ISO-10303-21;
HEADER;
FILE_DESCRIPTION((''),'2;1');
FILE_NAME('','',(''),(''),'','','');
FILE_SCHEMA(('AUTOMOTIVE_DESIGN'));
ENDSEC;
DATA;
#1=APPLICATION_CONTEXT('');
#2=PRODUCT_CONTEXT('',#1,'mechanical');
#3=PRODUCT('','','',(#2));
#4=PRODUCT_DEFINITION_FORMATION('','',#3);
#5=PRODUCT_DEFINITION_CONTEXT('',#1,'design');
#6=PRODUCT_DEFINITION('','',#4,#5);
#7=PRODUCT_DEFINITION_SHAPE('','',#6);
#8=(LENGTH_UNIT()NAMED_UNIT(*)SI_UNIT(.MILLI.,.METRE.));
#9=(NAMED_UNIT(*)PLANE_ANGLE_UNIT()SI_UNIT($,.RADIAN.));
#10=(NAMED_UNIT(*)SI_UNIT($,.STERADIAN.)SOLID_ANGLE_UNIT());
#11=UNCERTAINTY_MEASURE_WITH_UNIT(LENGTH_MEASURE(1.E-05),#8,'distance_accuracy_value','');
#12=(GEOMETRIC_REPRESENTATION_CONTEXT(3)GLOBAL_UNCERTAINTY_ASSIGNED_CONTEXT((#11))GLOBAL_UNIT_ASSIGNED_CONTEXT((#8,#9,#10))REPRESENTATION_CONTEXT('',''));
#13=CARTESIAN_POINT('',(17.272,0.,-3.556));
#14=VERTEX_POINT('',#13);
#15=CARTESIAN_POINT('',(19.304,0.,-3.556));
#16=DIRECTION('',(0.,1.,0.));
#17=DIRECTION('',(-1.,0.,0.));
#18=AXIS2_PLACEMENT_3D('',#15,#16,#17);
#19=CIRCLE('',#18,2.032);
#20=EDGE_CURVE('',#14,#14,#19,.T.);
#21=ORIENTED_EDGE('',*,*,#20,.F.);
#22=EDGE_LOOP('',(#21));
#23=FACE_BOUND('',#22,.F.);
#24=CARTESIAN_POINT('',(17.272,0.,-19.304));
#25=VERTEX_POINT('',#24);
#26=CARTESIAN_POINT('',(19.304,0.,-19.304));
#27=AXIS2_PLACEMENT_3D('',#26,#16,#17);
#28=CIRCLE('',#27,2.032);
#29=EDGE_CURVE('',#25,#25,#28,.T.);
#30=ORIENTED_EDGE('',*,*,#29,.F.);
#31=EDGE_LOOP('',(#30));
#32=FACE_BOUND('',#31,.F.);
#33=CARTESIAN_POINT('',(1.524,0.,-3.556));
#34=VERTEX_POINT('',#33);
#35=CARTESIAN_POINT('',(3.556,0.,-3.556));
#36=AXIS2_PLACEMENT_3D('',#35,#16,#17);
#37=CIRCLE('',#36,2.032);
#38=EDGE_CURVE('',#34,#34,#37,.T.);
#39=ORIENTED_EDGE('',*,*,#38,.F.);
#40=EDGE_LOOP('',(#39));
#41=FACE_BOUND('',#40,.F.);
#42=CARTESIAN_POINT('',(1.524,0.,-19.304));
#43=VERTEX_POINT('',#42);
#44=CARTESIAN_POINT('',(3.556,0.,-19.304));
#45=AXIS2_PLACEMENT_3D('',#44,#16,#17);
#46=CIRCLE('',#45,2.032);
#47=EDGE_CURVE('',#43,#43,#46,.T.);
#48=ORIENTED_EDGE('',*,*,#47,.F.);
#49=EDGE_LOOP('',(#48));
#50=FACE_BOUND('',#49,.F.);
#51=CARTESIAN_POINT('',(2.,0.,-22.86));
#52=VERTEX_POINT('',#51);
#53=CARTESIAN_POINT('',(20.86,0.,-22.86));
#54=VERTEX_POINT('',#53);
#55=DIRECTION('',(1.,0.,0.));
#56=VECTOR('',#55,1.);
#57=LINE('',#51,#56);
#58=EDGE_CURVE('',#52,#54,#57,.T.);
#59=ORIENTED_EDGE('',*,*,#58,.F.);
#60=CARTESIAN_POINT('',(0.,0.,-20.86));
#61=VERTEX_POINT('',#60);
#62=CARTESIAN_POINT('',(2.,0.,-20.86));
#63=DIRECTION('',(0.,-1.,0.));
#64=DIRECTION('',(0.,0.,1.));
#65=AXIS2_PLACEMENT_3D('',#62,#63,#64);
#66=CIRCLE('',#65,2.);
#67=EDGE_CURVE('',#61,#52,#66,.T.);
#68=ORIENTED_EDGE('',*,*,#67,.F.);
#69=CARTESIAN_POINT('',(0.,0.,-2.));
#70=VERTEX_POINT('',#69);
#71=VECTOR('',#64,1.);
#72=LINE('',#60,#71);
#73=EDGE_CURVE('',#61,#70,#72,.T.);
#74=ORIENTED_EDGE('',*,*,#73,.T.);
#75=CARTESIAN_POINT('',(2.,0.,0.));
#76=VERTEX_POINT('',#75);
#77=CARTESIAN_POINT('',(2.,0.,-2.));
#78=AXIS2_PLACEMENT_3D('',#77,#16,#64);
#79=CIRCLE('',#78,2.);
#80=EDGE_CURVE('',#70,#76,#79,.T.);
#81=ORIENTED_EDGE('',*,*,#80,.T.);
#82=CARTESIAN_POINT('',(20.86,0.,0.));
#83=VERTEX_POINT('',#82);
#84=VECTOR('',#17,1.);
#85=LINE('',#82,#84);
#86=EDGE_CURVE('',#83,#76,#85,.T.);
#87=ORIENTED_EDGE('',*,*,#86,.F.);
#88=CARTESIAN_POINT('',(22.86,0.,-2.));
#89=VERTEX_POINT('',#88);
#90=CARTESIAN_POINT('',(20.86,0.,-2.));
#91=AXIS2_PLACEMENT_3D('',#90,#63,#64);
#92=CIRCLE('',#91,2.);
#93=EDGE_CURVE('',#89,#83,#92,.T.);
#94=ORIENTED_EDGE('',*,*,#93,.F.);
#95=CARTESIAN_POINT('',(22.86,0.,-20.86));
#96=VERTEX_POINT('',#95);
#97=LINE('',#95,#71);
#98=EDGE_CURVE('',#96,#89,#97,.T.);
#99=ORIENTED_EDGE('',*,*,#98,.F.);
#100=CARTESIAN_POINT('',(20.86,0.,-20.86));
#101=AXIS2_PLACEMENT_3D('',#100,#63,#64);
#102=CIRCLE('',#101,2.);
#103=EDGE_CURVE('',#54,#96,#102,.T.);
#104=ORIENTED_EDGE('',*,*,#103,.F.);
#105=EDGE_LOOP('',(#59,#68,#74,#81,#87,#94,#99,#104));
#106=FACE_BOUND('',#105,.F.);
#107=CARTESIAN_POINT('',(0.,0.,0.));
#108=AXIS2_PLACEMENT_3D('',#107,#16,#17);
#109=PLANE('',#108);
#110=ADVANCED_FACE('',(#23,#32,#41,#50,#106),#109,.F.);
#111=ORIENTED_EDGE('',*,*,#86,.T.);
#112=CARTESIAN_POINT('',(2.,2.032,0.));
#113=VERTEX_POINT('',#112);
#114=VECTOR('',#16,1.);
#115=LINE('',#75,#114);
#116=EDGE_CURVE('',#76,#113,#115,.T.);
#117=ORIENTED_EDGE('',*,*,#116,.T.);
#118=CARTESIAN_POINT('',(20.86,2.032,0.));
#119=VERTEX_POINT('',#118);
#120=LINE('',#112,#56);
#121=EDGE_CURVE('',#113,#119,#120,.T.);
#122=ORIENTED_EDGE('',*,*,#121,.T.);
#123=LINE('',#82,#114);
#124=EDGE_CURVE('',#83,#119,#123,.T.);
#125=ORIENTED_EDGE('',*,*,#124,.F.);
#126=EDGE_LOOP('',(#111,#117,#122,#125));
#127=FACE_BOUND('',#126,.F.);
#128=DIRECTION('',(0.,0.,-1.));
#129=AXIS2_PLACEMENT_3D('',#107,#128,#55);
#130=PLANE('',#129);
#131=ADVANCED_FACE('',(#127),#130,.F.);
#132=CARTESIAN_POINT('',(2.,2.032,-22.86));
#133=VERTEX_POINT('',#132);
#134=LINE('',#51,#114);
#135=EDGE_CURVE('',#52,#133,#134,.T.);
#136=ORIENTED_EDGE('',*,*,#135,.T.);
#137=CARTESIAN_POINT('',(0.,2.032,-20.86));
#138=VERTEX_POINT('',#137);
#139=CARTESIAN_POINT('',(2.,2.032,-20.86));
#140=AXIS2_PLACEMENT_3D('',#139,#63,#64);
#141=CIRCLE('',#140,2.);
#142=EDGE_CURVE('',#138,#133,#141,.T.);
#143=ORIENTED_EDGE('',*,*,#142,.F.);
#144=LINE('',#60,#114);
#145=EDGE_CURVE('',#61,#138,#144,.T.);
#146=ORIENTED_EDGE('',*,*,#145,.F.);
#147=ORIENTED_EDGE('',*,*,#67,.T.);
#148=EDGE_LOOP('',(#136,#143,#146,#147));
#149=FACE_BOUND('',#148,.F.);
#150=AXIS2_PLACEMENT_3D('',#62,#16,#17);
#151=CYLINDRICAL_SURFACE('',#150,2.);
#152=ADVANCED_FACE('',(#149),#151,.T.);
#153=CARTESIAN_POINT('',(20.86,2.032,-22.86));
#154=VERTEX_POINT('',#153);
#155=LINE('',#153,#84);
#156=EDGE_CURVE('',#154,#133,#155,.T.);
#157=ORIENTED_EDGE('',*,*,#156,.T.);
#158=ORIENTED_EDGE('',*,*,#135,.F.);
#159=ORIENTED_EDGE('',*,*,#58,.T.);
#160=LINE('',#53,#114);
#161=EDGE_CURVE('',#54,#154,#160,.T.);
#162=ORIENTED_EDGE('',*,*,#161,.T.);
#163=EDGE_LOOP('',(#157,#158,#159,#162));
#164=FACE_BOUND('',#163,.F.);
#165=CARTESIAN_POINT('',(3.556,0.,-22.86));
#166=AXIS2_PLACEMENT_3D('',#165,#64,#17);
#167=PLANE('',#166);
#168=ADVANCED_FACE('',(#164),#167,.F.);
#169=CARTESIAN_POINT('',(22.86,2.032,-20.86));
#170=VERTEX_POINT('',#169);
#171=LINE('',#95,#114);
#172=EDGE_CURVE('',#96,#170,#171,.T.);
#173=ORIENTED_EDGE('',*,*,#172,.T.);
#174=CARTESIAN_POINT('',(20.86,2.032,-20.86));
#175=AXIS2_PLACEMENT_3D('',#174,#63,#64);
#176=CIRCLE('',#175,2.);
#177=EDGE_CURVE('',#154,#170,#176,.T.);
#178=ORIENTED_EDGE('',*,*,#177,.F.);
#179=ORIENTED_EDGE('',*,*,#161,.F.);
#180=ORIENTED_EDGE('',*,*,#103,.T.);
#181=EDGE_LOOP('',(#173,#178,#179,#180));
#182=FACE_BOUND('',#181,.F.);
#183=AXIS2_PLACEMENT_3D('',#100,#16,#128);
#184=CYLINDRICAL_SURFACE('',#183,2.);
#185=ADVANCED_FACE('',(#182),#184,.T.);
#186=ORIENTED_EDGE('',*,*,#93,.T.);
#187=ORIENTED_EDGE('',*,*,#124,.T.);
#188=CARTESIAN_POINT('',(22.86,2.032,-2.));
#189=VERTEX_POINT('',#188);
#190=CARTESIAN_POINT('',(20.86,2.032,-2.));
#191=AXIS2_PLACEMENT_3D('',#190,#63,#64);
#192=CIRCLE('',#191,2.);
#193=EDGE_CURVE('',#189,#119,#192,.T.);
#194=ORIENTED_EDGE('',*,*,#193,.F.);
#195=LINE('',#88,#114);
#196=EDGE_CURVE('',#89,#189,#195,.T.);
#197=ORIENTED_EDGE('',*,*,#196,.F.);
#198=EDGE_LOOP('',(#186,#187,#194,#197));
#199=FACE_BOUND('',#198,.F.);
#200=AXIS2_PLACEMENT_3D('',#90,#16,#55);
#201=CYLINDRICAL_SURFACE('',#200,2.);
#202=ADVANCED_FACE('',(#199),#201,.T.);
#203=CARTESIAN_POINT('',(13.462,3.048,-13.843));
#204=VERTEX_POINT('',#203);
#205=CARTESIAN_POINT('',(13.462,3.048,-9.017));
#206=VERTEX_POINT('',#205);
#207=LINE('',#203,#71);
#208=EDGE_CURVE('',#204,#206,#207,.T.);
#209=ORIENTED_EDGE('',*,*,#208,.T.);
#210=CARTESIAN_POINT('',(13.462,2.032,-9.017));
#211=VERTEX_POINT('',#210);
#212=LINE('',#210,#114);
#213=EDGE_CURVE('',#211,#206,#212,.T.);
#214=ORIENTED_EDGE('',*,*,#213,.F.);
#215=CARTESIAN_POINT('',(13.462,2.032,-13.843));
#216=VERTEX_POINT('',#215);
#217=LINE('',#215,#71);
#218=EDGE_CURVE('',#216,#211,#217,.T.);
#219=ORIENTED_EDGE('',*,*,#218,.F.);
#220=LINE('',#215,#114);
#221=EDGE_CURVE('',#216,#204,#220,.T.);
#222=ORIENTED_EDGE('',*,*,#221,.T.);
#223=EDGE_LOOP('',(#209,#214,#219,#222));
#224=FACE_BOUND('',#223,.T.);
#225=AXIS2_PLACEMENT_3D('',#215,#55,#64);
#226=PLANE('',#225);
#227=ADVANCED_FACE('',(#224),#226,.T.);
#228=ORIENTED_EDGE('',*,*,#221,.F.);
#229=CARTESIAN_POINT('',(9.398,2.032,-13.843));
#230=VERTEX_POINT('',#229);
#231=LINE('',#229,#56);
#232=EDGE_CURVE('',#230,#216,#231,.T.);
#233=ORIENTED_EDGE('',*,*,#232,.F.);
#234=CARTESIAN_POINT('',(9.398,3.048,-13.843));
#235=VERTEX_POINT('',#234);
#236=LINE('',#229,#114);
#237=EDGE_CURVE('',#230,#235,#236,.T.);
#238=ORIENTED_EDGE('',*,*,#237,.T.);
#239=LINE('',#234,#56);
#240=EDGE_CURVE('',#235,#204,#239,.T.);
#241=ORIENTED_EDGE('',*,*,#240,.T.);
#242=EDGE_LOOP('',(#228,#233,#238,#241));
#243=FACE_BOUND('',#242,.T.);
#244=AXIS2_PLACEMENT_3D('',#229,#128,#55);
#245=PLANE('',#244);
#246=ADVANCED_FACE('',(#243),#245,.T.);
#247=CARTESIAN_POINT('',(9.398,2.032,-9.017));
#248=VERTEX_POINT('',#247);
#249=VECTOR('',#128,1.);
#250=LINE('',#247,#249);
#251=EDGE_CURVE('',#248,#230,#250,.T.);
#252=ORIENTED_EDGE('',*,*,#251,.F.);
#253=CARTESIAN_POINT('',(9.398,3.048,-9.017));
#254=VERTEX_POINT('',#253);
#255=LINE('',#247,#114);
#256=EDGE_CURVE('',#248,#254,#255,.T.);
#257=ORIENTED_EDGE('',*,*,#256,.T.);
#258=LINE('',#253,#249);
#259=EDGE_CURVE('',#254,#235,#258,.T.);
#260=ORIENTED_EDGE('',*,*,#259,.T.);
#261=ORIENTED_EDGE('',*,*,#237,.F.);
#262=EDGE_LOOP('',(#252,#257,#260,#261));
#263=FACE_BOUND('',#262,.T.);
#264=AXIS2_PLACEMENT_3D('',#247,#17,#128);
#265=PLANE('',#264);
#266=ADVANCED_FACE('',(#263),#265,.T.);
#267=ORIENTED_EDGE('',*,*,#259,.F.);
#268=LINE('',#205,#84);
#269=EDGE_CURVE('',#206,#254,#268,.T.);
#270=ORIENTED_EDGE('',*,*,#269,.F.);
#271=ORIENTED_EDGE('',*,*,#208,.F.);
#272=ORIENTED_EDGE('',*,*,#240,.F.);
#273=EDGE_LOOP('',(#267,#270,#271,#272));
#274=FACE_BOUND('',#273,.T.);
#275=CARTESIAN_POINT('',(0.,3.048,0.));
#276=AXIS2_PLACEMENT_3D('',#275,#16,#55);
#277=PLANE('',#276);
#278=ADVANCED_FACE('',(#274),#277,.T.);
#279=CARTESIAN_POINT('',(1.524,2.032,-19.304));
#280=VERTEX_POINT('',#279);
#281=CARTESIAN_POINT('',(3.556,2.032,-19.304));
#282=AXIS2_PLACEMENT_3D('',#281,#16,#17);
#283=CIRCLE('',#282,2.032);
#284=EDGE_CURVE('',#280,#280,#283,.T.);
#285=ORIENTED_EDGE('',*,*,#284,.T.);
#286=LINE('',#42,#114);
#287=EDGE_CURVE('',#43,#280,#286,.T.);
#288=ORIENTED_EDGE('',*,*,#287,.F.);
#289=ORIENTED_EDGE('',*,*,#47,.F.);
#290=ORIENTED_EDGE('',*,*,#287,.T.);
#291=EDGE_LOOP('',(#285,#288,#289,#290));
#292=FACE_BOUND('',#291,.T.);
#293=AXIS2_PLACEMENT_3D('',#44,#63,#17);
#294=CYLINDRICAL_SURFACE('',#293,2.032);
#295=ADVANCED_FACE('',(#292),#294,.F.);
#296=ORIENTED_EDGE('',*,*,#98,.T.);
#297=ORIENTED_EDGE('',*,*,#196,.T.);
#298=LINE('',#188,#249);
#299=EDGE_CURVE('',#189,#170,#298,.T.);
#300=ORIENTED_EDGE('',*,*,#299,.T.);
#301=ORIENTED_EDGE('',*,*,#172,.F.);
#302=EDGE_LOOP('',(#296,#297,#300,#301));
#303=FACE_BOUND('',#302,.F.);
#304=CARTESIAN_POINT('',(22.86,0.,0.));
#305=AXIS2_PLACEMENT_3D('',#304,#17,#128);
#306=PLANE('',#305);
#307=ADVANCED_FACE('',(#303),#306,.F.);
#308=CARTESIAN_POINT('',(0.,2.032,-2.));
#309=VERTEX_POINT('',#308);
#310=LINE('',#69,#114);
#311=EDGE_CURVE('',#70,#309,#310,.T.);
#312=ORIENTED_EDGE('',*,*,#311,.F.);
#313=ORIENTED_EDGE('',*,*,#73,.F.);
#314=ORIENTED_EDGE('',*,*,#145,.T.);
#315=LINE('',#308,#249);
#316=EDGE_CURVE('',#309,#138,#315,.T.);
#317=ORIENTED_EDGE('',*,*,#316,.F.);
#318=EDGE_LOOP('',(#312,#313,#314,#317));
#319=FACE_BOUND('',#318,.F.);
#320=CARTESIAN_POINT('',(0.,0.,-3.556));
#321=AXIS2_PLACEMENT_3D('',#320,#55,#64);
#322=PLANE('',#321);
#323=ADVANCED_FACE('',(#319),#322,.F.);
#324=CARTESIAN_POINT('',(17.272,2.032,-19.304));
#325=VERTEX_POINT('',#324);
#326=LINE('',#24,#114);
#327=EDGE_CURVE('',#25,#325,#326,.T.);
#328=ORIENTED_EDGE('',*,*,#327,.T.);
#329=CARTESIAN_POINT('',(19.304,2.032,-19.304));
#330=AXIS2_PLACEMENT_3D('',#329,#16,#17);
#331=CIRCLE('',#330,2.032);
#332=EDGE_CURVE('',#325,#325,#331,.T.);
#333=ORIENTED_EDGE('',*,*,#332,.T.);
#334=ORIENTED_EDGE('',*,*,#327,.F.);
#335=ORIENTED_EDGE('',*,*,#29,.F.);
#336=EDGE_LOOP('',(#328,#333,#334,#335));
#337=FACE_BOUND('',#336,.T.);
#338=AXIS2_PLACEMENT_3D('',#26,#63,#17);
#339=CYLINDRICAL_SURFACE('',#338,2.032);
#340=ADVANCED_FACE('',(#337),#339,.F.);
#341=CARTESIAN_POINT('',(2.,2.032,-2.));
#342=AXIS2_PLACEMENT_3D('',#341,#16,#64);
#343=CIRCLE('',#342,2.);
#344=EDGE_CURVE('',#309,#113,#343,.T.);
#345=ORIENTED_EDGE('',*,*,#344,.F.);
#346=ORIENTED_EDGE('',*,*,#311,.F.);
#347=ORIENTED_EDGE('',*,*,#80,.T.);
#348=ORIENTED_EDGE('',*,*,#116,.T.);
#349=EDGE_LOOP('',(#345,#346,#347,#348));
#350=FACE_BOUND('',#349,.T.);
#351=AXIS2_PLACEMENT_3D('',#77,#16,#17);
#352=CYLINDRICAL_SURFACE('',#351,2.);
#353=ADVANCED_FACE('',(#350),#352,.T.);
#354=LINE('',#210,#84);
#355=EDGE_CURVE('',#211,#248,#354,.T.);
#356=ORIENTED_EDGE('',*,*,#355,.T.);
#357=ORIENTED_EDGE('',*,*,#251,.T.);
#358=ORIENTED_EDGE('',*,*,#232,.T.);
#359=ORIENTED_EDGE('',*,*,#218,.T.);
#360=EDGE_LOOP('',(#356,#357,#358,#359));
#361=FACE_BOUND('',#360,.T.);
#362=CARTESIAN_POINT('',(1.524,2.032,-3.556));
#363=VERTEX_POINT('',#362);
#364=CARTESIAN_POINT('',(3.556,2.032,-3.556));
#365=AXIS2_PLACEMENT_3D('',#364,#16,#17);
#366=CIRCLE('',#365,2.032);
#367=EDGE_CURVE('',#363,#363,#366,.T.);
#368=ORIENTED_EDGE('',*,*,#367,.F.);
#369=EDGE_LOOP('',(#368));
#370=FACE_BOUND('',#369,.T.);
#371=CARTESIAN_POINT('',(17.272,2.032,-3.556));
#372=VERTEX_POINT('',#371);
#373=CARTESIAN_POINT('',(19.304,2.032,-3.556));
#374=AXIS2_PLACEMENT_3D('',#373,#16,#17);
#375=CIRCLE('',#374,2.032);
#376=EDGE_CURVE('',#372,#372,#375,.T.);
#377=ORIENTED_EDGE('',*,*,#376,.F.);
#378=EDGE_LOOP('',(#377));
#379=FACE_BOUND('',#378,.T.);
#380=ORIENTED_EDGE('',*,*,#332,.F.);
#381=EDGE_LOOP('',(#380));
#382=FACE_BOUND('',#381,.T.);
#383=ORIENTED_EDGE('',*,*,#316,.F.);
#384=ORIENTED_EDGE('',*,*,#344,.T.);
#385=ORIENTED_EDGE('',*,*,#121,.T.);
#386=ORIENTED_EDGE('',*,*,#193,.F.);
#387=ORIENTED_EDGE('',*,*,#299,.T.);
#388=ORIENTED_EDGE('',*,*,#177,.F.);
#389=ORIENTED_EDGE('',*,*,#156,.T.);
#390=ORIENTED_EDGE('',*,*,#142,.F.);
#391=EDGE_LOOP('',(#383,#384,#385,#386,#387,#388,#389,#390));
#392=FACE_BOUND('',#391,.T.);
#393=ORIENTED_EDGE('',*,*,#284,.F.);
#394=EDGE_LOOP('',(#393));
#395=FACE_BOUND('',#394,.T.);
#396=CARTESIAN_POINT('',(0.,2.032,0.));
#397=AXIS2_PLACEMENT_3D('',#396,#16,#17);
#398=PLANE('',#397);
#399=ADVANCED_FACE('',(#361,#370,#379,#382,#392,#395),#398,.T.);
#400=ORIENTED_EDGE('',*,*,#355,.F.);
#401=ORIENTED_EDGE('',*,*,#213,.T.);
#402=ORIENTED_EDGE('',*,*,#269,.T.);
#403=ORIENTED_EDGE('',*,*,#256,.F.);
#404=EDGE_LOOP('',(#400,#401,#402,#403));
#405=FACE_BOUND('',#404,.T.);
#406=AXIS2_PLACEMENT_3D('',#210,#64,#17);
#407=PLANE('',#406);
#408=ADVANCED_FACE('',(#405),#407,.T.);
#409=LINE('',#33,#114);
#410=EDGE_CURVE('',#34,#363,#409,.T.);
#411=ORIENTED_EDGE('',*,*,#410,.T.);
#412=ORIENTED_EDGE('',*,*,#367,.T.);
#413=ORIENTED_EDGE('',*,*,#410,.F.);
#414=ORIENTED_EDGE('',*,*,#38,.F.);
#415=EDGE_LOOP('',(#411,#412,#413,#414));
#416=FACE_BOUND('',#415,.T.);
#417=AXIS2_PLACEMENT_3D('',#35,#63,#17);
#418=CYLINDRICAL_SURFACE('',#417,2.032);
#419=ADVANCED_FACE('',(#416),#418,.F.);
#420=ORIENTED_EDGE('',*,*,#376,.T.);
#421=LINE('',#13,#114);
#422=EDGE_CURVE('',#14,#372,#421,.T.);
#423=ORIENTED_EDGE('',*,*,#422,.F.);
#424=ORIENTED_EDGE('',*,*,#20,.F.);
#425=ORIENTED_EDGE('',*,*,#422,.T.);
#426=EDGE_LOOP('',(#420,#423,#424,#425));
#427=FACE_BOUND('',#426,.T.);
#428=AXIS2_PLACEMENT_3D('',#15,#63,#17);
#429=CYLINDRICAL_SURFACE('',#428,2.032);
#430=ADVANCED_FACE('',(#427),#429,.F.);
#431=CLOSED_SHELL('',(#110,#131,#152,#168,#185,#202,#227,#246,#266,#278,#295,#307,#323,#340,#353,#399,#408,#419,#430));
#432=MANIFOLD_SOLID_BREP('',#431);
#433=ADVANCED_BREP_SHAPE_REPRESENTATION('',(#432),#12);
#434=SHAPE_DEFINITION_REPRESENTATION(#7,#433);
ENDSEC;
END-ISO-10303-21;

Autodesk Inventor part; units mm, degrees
ref_plane "YZ Plane" through (0, 0, 0) normal (1, 0, 0) x (0, 1, 0)
ref_plane "XZ Plane" through (0, 0, 0) normal (0, 1, 0) x (-1, 0, 0)
ref_plane "XY Plane" through (0, 0, 0) normal (0, 0, 1) x (1, 0, 0)
sketch "Sketch1" plane through (0, 0, 0) normal (0, 1, 0) x (-1, 0, 0)
  line L0 (0, 0) -> (-22.86, 0)
  line L1 (-22.86, 0) -> (-22.86, -22.86)
  line L2 (-22.86, -22.86) -> (0, -22.86)
  line L3 (0, -22.86) -> (0, 0)
  line L4 (-22.86, -22.86) -> (-19.304, -22.86)
  line L5 (-19.304, -22.86) -> (-19.304, -19.304) construction
  line L6 (-19.304, -19.304) -> (-22.86, -19.304) construction
  line L7 (-22.86, -19.304) -> (-22.86, -22.86)
  line L8 (0, -22.86) -> (-3.556, -22.86)
  line L9 (-3.556, -22.86) -> (-3.556, -19.304) construction
  line L10 (-3.556, -19.304) -> (0, -19.304) construction
  line L11 (0, -19.304) -> (0, -22.86)
  line L12 (0, 0) -> (-3.556, 0)
  line L13 (-3.556, 0) -> (-3.556, -3.556) construction
  line L14 (-3.556, -3.556) -> (0, -3.556) construction
  line L15 (0, -3.556) -> (0, 0)
  line L16 (-22.86, 0) -> (-19.304, 0)
  line L17 (-19.304, 0) -> (-19.304, -3.556) construction
  line L18 (-19.304, -3.556) -> (-22.86, -3.556) construction
  line L19 (-22.86, -3.556) -> (-22.86, 0)
  circle A0 centre (-3.556, -19.304) radius 2.032
  circle A1 centre (-19.304, -19.304) radius 2.032
  circle A2 centre (-19.304, -3.556) radius 2.032
  circle A3 centre (-3.556, -3.556) radius 2.032
  dimension "d0" = 22.86
  dimension "d1" = 22.86
  dimension "d2" = 3.556
  dimension "d3" = 3.556
  dimension "d4" = 3.556
  dimension "d5" = 3.556
  dimension "d6" = 3.556
  dimension "d7" = 3.556
  dimension "d8" = 3.556
  dimension "d9" = 3.556
  dimension "d10" = 4.064
  dimension "d11" = 4.064
  dimension "d12" = 4.064
  dimension "d13" = 4.064
extrude "Extrusion1" add sketch "Sketch1" along normal blind 2.032
fillet "Fillet1" radius 2 4 edges at (0, 1.016, 0) (22.86, 1.016, 0) (22.86, 1.016, -22.86) (0, 1.016, -22.86)
sketch "Sketch2" plane through (0, 2.032, 0) normal (0, 1, 0) x (1, 0, 0)
  line L0 (9.398, 13.843) -> (13.462, 13.843)
  line L1 (13.462, 13.843) -> (13.462, 9.017)
  line L2 (13.462, 9.017) -> (9.398, 9.017)
  line L3 (9.398, 9.017) -> (9.398, 13.843)
  line L4 (9.398, 13.843) -> (13.462, 9.017) construction
  line L5 (13.462, 13.843) -> (9.398, 9.017) construction
  line L6 (22.86, 2) -> (22.86, 20.86) projected
  line L7 (20.86, 22.86) -> (2, 22.86) projected
  point P0 (0, 0)
  point P1 (11.43, 11.43)
  dimension "d17" = 4.064
  dimension "d18" = 4.826
  dimension "d19" = 11.43
  dimension "d20" = 11.43
extrude "Extrusion2" add sketch "Sketch2" along normal blind 1.016
properties part number "as5600"
